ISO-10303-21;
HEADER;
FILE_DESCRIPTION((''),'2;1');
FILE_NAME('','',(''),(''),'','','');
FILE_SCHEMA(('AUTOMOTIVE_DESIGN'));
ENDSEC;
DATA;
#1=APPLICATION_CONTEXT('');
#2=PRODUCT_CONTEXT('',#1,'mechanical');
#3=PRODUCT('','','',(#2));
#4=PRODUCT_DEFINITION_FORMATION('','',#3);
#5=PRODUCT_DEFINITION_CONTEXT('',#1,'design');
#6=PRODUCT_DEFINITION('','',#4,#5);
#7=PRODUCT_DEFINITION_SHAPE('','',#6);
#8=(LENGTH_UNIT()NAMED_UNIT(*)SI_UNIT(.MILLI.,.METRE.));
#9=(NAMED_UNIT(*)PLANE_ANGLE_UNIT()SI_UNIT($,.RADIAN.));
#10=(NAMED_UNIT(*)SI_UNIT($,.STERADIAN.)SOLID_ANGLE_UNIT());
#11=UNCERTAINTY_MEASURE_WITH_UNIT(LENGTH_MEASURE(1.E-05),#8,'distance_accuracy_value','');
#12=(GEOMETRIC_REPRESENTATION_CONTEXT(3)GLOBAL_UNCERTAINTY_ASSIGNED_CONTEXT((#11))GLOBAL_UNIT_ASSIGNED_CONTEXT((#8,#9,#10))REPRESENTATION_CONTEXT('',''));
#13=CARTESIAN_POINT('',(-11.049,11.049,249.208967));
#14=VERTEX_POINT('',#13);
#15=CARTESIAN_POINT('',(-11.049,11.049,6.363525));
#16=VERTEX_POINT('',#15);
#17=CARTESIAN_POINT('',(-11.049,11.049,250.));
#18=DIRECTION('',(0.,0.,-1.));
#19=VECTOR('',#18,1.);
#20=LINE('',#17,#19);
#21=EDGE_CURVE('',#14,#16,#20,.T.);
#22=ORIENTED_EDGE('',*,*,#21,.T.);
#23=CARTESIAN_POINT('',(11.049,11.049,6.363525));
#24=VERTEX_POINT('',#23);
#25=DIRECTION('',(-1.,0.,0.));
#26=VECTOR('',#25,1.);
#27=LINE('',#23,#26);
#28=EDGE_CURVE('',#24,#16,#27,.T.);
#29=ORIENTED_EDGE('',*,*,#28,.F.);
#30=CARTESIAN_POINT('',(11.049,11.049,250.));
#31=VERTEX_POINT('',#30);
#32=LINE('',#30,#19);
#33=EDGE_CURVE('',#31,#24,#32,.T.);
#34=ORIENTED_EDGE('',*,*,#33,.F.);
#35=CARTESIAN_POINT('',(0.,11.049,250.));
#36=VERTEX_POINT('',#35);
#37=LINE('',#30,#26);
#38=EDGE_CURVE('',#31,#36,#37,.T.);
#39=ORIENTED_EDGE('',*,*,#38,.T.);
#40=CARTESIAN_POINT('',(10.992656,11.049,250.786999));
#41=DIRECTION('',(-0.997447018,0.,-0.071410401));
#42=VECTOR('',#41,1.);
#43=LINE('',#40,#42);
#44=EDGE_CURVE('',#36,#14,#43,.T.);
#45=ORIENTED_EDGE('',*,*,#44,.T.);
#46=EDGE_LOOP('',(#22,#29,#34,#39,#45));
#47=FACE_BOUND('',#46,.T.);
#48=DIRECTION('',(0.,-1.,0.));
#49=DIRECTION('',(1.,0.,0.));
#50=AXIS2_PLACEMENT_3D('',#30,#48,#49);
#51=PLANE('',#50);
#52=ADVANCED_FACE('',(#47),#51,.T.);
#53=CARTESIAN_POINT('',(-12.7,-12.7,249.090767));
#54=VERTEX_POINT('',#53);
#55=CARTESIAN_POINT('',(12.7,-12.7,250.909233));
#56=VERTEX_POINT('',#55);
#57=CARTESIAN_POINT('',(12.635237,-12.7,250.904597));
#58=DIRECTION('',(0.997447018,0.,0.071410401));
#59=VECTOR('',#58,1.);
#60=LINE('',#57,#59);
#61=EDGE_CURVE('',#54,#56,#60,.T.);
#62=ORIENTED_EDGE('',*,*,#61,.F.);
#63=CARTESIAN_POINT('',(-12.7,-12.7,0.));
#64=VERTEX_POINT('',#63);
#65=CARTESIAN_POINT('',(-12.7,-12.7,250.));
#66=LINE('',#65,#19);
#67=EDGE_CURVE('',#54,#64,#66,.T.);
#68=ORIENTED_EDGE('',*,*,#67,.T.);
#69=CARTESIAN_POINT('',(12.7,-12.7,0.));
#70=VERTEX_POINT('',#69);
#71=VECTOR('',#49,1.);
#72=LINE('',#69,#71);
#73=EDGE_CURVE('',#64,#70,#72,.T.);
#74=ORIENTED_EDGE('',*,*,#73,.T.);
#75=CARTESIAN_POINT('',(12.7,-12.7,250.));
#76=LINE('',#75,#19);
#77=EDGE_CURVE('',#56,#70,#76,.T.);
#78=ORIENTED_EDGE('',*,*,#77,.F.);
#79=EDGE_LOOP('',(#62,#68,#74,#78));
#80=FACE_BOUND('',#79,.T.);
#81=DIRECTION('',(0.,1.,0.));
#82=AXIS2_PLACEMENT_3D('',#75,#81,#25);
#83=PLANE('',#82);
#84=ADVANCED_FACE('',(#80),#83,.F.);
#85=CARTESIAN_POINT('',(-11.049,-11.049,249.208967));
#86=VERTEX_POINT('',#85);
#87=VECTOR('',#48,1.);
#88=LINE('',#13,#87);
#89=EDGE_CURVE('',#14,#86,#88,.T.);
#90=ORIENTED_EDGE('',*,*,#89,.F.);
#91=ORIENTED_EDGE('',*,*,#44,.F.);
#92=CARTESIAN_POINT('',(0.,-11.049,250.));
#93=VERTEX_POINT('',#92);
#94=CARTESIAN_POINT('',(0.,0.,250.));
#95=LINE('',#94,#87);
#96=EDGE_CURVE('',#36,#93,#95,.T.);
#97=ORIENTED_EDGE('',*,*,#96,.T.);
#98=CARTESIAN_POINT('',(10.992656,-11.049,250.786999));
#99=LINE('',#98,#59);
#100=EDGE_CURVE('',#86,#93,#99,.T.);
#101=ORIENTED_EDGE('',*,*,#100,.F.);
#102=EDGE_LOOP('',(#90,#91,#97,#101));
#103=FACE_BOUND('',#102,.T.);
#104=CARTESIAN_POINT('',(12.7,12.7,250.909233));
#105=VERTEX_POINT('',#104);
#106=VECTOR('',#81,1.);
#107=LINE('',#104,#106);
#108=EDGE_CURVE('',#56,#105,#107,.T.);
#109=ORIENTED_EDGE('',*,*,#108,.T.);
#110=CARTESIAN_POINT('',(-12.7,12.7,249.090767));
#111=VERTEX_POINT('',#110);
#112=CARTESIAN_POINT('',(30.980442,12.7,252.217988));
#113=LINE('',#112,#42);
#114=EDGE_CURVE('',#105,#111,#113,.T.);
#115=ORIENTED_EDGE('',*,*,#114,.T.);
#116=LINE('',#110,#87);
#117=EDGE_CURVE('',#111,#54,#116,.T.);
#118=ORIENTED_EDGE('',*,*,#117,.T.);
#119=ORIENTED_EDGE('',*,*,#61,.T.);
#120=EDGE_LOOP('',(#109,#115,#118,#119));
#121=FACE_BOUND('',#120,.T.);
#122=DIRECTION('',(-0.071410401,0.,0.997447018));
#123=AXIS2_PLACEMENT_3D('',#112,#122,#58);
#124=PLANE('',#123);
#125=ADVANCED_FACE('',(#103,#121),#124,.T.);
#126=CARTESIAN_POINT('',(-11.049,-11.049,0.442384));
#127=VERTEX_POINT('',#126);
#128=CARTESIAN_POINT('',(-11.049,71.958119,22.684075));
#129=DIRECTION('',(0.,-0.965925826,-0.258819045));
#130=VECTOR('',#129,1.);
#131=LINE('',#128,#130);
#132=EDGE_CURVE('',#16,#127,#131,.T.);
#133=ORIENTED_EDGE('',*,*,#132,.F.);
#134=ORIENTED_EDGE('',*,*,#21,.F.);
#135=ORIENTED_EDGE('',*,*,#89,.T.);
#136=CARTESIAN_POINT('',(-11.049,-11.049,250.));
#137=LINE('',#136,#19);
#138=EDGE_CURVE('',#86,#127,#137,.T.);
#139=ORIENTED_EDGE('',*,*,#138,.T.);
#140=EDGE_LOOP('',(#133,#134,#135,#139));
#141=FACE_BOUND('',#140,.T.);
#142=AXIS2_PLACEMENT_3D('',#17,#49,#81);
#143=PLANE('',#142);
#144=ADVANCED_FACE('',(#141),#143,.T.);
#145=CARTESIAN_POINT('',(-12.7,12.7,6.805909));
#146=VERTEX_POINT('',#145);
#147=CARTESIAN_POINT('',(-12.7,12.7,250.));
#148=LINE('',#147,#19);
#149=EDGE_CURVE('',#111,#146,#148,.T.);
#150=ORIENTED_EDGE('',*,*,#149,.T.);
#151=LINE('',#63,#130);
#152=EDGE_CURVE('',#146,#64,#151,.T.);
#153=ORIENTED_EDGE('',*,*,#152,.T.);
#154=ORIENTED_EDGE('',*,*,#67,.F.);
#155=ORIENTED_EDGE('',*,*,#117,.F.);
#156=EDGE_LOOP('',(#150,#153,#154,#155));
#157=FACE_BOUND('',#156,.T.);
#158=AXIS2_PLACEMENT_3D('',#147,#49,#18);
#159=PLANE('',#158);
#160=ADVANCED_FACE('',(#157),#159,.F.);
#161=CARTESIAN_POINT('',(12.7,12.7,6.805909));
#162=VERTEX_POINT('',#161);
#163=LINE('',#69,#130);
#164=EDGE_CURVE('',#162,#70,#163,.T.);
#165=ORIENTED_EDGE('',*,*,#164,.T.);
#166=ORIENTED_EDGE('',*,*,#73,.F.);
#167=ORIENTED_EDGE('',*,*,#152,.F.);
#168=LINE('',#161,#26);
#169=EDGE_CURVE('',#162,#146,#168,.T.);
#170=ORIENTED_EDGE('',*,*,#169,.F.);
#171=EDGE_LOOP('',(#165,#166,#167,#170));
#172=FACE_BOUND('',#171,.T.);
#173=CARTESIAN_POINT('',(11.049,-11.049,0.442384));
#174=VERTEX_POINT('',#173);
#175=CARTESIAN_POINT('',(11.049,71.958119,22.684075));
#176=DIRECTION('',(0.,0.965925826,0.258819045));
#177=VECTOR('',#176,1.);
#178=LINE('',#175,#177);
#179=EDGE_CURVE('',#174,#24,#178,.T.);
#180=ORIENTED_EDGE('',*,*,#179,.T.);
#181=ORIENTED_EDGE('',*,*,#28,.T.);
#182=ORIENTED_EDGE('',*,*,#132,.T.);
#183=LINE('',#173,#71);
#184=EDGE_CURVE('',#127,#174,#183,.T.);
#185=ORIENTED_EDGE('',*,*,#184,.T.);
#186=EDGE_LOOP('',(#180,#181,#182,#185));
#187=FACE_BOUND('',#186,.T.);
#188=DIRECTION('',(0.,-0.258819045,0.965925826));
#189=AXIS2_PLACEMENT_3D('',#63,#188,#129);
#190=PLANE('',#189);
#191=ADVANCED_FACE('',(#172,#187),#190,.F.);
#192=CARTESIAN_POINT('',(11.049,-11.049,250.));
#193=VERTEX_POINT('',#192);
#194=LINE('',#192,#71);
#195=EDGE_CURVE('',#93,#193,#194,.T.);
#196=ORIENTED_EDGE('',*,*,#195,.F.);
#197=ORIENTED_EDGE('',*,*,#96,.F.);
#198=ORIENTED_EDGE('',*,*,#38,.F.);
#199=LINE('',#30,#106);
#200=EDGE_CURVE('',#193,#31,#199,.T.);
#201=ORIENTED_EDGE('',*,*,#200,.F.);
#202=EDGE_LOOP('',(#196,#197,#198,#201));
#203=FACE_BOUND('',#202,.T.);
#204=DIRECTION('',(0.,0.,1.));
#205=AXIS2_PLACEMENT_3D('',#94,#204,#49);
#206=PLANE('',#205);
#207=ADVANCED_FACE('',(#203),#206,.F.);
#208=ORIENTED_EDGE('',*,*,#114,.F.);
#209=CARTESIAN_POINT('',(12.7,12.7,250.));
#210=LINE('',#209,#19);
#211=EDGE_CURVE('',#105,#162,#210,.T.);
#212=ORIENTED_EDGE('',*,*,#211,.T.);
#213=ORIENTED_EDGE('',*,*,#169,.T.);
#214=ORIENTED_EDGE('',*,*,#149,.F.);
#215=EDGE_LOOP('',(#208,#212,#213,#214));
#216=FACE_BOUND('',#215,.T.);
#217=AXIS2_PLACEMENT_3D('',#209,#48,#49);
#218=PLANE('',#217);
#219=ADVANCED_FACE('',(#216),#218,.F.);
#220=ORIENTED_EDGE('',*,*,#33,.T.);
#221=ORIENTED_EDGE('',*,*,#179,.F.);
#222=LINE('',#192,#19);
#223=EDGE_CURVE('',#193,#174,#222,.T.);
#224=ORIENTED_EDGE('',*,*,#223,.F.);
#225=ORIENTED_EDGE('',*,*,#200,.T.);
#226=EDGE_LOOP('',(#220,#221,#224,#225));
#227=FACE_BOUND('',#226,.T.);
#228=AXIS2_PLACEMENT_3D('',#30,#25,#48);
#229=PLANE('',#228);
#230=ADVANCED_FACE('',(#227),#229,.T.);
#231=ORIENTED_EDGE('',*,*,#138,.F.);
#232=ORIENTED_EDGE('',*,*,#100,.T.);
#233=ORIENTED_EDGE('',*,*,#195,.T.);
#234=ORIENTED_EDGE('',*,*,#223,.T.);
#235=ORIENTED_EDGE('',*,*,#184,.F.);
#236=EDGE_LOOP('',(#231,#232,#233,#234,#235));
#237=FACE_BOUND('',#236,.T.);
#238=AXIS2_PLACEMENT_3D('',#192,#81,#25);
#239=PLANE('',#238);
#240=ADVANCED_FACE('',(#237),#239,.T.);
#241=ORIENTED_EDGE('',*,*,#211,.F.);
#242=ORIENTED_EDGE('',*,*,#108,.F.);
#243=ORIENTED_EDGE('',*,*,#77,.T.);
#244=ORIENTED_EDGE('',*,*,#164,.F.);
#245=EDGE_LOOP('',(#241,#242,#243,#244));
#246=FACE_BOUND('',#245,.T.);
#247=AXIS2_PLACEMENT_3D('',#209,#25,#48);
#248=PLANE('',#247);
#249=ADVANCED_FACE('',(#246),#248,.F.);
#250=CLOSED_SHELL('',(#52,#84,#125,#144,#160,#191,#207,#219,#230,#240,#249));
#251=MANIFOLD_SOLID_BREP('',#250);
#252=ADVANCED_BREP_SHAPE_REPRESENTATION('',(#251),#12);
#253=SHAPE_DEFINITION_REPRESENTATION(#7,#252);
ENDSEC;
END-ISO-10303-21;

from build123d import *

# Parameters (mm, degrees)
SKETCH1_W           = 25.4
SKETCH1_H           = 25.4
SKETCH1_W_2         = 22.098
SKETCH1_H_2         = 22.098
BOSS_EXTRUDE1_DEPTH = 250
SKETCH4_W           = 25.4
SKETCH4_H           = 25.4
BOSS_EXTRUDE2_DEPTH = 25.4
CUT_EXTRUDE1_DEPTH  = 165.021579309
CUT_EXTRUDE2_DEPTH  = 26.4


with BuildPart() as part:
    # Sketch1 → Boss-Extrude1 (new body)
    with BuildSketch(Plane.XY):
        Rectangle(SKETCH1_W, SKETCH1_H)
        Rectangle(SKETCH1_W_2, SKETCH1_H_2, mode=Mode.SUBTRACT)
    extrude(amount=BOSS_EXTRUDE1_DEPTH)

    # Sketch4 → Boss-Extrude2 (add)
    with BuildSketch(Plane.XY.offset(250)):
        Rectangle(SKETCH4_W, SKETCH4_H)
    extrude(amount=BOSS_EXTRUDE2_DEPTH)

    # Sketch5 → Cut-Extrude1 (cut, through all)
    with BuildSketch(Plane(origin=(-589.319373916, -151.321579309, 111.97168159), x_dir=(0, 0, -1), z_dir=(0, 1, 0))):
        Polygon((-140.246306665, -620.299815752), (-213.016787638, -571.728098704), (-135.810330154, -558.33893208), align=None)
    extrude(amount=CUT_EXTRUDE1_DEPTH, mode=Mode.SUBTRACT)

    # Sketch6 → Cut-Extrude2 (cut, through all)
    with BuildSketch(Plane(origin=(12.7, 0, 0), x_dir=(0, 0, -1), z_dir=(1, 0, 0))):
        Polygon((0, -12.7), (-11.495760494, 30.202762236), (0, 24.093064972), align=None)
    extrude(amount=-CUT_EXTRUDE2_DEPTH, mode=Mode.SUBTRACT)


solid = part.part
